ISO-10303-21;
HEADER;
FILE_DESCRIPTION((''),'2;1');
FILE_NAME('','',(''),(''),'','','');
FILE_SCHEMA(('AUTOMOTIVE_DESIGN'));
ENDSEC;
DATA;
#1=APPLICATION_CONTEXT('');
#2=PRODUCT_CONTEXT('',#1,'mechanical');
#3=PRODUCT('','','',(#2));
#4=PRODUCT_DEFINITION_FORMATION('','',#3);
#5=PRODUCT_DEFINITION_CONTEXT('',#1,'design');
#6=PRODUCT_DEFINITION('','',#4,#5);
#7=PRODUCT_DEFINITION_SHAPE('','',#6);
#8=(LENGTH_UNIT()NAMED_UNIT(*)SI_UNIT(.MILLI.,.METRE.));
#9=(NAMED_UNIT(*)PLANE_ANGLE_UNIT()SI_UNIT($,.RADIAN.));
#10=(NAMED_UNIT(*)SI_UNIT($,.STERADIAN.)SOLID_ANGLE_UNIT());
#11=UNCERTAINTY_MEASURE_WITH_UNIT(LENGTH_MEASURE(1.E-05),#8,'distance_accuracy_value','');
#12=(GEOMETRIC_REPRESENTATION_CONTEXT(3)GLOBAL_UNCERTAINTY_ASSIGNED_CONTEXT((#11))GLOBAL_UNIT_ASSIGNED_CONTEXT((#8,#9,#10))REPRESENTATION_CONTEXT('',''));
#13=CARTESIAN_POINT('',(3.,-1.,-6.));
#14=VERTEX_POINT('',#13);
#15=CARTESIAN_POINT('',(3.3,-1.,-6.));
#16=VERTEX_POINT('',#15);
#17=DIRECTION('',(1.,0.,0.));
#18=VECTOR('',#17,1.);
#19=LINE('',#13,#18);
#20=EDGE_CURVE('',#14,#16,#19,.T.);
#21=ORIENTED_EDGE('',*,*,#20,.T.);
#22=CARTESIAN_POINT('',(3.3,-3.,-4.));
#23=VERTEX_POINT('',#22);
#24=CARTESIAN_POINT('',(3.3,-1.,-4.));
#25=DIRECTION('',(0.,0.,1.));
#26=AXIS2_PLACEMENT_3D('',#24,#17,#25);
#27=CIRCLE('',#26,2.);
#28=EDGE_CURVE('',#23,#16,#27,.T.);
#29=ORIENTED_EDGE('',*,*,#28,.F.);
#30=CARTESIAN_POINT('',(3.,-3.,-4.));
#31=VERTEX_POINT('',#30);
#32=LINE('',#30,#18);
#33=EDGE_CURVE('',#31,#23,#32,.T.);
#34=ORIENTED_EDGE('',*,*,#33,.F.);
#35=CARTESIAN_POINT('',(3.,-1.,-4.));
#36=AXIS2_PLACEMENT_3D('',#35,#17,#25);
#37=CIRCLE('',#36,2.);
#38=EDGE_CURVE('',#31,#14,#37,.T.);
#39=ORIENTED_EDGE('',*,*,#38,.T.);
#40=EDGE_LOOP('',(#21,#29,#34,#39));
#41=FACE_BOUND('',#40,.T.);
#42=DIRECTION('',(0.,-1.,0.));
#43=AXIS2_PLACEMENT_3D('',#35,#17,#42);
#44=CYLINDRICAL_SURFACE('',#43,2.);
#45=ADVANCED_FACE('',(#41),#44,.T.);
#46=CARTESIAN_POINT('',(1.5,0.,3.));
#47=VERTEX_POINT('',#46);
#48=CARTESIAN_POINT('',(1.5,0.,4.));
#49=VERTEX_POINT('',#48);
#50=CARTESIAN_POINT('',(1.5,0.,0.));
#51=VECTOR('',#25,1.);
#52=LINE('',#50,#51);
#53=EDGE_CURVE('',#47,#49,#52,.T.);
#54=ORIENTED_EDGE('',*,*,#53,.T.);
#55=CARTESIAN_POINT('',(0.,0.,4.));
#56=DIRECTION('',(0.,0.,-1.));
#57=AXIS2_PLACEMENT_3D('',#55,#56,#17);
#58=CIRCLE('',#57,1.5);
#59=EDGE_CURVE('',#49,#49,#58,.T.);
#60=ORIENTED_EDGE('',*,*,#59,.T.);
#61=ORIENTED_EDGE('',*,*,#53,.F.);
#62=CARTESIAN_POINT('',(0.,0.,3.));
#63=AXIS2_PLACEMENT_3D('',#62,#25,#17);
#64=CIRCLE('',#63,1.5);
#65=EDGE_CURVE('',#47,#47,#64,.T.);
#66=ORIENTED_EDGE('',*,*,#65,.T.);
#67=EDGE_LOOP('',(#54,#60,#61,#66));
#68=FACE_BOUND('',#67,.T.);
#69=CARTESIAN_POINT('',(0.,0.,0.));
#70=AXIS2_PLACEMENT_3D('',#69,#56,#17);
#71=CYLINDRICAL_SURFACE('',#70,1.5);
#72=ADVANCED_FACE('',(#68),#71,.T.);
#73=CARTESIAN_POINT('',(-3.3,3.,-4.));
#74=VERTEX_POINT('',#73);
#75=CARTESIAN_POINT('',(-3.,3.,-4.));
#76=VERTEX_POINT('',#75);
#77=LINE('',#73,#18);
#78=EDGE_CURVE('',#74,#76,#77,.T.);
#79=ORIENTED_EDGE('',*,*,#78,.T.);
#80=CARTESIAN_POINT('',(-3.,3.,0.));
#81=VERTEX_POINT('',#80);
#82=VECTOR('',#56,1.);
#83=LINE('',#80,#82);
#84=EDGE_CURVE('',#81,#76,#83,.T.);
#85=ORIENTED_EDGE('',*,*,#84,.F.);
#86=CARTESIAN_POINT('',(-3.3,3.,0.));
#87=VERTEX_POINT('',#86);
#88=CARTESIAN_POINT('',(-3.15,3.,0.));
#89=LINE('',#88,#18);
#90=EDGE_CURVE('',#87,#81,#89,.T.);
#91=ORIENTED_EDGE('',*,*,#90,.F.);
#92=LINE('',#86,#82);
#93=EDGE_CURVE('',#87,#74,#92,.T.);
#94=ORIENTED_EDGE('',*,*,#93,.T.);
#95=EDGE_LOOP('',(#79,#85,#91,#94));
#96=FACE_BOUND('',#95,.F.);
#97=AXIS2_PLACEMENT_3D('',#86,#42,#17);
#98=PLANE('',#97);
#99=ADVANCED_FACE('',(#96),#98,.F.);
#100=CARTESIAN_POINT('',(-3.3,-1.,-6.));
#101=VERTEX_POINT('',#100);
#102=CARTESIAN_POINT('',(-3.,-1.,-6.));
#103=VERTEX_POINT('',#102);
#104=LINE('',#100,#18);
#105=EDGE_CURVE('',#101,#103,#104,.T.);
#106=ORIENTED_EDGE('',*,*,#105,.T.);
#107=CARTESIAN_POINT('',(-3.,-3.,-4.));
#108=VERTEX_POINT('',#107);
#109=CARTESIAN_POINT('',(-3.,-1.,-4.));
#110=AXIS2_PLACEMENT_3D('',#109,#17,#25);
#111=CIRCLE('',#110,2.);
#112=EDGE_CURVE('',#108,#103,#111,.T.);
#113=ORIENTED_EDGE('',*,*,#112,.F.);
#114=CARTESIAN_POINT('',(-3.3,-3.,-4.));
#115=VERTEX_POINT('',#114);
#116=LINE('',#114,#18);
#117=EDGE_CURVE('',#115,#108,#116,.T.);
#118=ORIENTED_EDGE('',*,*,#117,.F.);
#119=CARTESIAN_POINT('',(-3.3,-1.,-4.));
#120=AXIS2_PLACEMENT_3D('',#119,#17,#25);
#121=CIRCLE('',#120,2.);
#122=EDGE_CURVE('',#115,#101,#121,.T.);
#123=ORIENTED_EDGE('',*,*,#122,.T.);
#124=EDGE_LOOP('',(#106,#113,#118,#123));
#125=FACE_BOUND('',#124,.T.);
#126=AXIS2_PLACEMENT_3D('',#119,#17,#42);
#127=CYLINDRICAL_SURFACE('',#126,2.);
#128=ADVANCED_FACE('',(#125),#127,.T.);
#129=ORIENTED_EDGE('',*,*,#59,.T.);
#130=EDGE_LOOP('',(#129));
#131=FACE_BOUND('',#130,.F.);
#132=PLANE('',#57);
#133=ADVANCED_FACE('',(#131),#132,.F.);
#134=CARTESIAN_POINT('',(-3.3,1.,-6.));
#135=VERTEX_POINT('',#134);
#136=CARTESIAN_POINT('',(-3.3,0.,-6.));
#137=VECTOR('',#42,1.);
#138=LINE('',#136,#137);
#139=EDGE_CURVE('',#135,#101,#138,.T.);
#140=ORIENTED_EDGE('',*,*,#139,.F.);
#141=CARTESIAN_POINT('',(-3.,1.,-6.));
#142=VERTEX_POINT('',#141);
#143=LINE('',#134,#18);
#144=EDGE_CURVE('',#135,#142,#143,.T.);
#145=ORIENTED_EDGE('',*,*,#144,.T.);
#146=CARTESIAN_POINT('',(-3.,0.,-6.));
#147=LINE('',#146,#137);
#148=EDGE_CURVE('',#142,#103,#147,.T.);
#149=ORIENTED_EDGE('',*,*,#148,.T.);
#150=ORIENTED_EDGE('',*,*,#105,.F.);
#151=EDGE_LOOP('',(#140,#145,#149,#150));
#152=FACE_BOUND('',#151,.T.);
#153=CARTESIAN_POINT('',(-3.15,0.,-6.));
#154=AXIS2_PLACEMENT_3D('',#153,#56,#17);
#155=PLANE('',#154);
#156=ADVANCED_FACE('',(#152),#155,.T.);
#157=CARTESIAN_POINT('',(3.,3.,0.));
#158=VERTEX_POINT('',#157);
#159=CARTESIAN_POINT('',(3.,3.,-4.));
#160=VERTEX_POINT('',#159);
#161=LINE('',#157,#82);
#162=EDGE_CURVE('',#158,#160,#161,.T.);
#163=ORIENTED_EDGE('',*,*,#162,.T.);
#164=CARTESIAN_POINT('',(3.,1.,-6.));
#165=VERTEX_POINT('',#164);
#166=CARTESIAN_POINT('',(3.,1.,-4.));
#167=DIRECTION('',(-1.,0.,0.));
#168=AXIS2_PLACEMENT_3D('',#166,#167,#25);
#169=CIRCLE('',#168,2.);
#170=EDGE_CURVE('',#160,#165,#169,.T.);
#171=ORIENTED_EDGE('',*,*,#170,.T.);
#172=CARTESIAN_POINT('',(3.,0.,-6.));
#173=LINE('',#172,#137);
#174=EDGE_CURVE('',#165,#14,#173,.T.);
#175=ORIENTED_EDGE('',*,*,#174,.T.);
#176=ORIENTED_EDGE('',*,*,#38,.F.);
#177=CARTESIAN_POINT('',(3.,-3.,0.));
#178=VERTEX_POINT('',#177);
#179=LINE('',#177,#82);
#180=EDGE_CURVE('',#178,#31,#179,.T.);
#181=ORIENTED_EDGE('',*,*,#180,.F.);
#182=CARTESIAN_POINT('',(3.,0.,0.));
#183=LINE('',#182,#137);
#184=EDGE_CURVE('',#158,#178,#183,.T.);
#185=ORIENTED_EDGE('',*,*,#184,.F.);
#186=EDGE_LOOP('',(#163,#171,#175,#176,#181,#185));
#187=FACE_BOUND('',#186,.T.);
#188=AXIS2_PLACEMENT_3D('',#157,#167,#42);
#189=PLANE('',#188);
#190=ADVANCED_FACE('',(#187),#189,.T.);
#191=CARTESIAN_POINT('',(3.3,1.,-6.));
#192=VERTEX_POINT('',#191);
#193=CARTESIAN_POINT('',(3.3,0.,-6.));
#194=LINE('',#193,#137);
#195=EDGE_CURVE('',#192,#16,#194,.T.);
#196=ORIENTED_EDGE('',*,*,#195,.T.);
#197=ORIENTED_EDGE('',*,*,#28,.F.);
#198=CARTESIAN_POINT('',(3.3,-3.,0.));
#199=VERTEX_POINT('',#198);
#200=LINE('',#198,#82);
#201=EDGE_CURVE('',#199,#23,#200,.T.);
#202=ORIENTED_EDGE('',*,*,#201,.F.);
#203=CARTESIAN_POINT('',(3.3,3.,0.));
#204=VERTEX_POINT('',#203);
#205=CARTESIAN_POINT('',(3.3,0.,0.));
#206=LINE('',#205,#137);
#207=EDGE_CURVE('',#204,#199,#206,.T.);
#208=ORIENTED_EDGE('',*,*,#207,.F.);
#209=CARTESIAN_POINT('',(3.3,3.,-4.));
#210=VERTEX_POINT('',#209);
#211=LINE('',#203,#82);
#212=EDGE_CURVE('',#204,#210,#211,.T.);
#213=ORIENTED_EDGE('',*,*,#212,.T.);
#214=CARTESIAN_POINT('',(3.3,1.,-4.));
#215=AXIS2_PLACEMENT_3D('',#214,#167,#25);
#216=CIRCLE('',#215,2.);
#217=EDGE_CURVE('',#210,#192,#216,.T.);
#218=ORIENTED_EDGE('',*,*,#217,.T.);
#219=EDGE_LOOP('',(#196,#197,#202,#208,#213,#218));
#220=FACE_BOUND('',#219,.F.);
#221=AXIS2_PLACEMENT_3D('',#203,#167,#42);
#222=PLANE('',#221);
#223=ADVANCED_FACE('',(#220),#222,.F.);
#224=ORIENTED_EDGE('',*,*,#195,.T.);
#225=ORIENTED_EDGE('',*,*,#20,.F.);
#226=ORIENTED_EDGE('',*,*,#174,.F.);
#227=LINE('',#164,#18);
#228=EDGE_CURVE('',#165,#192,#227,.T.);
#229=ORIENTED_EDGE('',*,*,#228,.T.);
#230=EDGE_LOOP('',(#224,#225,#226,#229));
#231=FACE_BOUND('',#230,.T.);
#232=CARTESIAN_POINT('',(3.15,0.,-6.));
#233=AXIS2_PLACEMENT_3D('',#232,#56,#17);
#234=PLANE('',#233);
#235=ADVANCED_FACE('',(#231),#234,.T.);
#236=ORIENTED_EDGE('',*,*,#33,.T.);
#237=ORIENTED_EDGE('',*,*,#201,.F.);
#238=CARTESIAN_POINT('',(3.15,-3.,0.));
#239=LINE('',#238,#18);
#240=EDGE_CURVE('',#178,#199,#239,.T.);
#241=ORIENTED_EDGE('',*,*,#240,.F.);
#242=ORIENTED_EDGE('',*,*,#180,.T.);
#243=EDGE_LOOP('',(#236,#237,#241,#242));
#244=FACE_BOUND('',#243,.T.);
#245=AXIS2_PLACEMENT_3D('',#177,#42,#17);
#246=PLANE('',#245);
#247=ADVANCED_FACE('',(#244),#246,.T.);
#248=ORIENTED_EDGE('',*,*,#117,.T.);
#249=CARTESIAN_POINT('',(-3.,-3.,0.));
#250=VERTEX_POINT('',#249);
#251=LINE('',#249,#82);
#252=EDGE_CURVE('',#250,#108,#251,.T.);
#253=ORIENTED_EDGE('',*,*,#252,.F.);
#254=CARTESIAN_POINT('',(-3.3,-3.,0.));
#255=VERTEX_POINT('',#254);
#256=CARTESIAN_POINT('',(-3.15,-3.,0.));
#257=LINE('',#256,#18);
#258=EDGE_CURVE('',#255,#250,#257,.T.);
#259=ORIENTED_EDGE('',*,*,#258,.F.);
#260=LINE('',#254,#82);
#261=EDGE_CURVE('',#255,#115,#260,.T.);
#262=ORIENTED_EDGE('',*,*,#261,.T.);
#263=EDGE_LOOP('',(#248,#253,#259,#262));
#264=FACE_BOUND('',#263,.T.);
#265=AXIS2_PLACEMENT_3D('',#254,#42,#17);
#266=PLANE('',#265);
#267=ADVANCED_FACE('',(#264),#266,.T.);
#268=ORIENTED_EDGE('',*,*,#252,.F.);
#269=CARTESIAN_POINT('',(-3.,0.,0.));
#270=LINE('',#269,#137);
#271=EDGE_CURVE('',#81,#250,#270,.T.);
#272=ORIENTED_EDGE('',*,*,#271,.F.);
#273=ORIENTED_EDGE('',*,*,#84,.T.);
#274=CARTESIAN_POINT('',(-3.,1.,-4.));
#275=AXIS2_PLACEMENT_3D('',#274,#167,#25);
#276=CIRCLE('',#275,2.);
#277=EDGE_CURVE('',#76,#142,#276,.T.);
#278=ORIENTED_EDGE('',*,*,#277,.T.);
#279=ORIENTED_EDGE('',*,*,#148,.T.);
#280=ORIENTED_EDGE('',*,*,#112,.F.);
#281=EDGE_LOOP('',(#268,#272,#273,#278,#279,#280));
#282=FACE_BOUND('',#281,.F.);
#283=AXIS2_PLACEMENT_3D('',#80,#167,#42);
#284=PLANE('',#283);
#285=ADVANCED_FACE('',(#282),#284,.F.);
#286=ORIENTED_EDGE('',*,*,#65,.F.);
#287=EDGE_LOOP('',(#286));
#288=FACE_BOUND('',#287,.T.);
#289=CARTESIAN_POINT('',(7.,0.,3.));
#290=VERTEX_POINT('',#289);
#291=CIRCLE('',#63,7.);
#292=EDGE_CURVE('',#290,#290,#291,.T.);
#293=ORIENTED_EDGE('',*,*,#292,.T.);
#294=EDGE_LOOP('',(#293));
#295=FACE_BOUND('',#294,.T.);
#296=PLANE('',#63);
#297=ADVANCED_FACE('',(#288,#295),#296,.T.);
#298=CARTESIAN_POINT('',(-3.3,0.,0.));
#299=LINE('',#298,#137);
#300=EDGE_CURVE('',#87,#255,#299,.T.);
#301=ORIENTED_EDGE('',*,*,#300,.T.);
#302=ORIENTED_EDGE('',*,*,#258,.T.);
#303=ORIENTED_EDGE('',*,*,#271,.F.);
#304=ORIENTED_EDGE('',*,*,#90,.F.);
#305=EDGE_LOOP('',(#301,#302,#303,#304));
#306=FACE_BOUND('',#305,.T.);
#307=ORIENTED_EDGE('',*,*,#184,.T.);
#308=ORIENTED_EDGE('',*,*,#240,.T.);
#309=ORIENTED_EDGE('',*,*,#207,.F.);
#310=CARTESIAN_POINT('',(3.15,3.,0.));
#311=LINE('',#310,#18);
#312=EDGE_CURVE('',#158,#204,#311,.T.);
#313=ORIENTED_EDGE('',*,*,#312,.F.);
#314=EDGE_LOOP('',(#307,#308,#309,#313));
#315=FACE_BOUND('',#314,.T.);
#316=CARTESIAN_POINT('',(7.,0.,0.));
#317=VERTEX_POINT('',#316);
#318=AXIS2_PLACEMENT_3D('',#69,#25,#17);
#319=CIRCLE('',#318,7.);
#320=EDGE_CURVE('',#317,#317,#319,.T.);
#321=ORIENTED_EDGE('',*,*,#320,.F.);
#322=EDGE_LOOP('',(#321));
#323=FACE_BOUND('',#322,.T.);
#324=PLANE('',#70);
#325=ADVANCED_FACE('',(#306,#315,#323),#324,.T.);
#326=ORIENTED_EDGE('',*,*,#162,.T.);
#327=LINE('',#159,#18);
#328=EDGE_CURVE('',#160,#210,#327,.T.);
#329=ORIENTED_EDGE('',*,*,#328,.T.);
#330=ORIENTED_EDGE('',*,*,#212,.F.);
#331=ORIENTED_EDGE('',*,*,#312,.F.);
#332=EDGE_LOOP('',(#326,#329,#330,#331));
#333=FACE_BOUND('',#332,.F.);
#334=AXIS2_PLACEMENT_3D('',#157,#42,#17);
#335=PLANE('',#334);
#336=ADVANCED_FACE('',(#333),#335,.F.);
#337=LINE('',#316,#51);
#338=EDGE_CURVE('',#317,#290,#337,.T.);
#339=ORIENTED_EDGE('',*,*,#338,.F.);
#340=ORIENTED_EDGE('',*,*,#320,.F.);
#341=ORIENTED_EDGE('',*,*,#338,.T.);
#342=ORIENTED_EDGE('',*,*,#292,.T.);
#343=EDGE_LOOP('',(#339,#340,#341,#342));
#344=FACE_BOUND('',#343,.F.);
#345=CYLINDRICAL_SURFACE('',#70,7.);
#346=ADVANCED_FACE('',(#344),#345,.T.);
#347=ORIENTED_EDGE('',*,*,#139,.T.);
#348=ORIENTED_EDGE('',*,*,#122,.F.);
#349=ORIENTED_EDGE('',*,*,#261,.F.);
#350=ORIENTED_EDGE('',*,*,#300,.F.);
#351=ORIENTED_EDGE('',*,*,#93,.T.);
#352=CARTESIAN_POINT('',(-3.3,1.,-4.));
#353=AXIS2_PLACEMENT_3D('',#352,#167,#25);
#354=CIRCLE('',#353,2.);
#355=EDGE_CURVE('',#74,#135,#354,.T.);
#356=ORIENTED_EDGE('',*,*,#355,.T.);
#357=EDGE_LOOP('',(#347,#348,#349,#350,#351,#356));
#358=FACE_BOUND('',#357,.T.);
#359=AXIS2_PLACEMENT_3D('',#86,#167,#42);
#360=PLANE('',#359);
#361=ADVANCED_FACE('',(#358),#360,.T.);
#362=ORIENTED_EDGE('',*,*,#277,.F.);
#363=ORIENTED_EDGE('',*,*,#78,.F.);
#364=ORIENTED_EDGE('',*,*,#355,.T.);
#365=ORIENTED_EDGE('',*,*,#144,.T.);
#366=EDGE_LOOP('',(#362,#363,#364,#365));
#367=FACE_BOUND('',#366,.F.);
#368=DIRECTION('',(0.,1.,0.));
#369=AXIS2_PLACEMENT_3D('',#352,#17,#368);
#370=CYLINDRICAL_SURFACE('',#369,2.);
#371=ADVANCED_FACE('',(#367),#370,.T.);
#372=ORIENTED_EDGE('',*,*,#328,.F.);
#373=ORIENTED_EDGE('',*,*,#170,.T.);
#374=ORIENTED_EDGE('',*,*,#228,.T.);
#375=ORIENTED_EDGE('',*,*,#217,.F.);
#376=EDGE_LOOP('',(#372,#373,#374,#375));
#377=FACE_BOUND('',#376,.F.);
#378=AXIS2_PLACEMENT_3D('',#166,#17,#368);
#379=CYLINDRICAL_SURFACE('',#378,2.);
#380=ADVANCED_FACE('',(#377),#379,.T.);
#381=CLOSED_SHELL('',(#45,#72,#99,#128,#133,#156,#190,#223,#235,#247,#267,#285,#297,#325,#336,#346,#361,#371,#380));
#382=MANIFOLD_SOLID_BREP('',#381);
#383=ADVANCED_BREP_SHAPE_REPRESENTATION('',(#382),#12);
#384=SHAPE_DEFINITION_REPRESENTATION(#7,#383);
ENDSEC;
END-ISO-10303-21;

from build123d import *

# Parameters (mm, degrees)
F0_R     = 7
F0_R_2   = 1.5
F1_DEPTH = 3
F2_R     = 1.551902
F3_DEPTH = 1.5
F4_W     = 0.3
F4_H     = 6
F5_DEPTH = 6
F6_R     = 2
F7_R     = 1.5
F8_DEPTH = 4


with BuildPart() as f1:
    # F0 (on Top) → F1 (new body)
    with BuildSketch(Plane.XY):
        Circle(F0_R)
        Circle(F0_R_2, mode=Mode.SUBTRACT)
    extrude(amount=F1_DEPTH)

    # F2 (on face) → F3 (join)
    with BuildSketch(Plane(origin=(0, 0, 0), x_dir=(1, 0, 0), z_dir=(0, 0, -1))):
        Circle(F2_R)
    extrude(amount=-F3_DEPTH)

    # F4 (on face) → F5 (join)
    with BuildSketch(Plane(origin=(0, 0, 0), x_dir=(1, 0, 0), z_dir=(0, 0, -1))):
        with Locations((-3.15, 0)):
            Rectangle(F4_W, F4_H)
        with Locations((3.15, 0)):
            Rectangle(F4_W, F4_H)
    extrude(amount=F5_DEPTH)

    # F6
    f6_edges = [f1.edges().sort_by_distance(p)[0] for p in [
        (-3.15, -3, -6),
        (-3.15, 3, -6),
        (3.15, 3, -6),
        (3.15, -3, -6),
    ]]
    fillet(f6_edges, radius=F6_R)

    # F7 (on face) → F8 (join)
    with BuildSketch(Plane(origin=(0, 0, 0), x_dir=(1, 0, 0), z_dir=(0, 0, -1))):
        Circle(F7_R)
    extrude(amount=-F8_DEPTH)


solid = f1.part
